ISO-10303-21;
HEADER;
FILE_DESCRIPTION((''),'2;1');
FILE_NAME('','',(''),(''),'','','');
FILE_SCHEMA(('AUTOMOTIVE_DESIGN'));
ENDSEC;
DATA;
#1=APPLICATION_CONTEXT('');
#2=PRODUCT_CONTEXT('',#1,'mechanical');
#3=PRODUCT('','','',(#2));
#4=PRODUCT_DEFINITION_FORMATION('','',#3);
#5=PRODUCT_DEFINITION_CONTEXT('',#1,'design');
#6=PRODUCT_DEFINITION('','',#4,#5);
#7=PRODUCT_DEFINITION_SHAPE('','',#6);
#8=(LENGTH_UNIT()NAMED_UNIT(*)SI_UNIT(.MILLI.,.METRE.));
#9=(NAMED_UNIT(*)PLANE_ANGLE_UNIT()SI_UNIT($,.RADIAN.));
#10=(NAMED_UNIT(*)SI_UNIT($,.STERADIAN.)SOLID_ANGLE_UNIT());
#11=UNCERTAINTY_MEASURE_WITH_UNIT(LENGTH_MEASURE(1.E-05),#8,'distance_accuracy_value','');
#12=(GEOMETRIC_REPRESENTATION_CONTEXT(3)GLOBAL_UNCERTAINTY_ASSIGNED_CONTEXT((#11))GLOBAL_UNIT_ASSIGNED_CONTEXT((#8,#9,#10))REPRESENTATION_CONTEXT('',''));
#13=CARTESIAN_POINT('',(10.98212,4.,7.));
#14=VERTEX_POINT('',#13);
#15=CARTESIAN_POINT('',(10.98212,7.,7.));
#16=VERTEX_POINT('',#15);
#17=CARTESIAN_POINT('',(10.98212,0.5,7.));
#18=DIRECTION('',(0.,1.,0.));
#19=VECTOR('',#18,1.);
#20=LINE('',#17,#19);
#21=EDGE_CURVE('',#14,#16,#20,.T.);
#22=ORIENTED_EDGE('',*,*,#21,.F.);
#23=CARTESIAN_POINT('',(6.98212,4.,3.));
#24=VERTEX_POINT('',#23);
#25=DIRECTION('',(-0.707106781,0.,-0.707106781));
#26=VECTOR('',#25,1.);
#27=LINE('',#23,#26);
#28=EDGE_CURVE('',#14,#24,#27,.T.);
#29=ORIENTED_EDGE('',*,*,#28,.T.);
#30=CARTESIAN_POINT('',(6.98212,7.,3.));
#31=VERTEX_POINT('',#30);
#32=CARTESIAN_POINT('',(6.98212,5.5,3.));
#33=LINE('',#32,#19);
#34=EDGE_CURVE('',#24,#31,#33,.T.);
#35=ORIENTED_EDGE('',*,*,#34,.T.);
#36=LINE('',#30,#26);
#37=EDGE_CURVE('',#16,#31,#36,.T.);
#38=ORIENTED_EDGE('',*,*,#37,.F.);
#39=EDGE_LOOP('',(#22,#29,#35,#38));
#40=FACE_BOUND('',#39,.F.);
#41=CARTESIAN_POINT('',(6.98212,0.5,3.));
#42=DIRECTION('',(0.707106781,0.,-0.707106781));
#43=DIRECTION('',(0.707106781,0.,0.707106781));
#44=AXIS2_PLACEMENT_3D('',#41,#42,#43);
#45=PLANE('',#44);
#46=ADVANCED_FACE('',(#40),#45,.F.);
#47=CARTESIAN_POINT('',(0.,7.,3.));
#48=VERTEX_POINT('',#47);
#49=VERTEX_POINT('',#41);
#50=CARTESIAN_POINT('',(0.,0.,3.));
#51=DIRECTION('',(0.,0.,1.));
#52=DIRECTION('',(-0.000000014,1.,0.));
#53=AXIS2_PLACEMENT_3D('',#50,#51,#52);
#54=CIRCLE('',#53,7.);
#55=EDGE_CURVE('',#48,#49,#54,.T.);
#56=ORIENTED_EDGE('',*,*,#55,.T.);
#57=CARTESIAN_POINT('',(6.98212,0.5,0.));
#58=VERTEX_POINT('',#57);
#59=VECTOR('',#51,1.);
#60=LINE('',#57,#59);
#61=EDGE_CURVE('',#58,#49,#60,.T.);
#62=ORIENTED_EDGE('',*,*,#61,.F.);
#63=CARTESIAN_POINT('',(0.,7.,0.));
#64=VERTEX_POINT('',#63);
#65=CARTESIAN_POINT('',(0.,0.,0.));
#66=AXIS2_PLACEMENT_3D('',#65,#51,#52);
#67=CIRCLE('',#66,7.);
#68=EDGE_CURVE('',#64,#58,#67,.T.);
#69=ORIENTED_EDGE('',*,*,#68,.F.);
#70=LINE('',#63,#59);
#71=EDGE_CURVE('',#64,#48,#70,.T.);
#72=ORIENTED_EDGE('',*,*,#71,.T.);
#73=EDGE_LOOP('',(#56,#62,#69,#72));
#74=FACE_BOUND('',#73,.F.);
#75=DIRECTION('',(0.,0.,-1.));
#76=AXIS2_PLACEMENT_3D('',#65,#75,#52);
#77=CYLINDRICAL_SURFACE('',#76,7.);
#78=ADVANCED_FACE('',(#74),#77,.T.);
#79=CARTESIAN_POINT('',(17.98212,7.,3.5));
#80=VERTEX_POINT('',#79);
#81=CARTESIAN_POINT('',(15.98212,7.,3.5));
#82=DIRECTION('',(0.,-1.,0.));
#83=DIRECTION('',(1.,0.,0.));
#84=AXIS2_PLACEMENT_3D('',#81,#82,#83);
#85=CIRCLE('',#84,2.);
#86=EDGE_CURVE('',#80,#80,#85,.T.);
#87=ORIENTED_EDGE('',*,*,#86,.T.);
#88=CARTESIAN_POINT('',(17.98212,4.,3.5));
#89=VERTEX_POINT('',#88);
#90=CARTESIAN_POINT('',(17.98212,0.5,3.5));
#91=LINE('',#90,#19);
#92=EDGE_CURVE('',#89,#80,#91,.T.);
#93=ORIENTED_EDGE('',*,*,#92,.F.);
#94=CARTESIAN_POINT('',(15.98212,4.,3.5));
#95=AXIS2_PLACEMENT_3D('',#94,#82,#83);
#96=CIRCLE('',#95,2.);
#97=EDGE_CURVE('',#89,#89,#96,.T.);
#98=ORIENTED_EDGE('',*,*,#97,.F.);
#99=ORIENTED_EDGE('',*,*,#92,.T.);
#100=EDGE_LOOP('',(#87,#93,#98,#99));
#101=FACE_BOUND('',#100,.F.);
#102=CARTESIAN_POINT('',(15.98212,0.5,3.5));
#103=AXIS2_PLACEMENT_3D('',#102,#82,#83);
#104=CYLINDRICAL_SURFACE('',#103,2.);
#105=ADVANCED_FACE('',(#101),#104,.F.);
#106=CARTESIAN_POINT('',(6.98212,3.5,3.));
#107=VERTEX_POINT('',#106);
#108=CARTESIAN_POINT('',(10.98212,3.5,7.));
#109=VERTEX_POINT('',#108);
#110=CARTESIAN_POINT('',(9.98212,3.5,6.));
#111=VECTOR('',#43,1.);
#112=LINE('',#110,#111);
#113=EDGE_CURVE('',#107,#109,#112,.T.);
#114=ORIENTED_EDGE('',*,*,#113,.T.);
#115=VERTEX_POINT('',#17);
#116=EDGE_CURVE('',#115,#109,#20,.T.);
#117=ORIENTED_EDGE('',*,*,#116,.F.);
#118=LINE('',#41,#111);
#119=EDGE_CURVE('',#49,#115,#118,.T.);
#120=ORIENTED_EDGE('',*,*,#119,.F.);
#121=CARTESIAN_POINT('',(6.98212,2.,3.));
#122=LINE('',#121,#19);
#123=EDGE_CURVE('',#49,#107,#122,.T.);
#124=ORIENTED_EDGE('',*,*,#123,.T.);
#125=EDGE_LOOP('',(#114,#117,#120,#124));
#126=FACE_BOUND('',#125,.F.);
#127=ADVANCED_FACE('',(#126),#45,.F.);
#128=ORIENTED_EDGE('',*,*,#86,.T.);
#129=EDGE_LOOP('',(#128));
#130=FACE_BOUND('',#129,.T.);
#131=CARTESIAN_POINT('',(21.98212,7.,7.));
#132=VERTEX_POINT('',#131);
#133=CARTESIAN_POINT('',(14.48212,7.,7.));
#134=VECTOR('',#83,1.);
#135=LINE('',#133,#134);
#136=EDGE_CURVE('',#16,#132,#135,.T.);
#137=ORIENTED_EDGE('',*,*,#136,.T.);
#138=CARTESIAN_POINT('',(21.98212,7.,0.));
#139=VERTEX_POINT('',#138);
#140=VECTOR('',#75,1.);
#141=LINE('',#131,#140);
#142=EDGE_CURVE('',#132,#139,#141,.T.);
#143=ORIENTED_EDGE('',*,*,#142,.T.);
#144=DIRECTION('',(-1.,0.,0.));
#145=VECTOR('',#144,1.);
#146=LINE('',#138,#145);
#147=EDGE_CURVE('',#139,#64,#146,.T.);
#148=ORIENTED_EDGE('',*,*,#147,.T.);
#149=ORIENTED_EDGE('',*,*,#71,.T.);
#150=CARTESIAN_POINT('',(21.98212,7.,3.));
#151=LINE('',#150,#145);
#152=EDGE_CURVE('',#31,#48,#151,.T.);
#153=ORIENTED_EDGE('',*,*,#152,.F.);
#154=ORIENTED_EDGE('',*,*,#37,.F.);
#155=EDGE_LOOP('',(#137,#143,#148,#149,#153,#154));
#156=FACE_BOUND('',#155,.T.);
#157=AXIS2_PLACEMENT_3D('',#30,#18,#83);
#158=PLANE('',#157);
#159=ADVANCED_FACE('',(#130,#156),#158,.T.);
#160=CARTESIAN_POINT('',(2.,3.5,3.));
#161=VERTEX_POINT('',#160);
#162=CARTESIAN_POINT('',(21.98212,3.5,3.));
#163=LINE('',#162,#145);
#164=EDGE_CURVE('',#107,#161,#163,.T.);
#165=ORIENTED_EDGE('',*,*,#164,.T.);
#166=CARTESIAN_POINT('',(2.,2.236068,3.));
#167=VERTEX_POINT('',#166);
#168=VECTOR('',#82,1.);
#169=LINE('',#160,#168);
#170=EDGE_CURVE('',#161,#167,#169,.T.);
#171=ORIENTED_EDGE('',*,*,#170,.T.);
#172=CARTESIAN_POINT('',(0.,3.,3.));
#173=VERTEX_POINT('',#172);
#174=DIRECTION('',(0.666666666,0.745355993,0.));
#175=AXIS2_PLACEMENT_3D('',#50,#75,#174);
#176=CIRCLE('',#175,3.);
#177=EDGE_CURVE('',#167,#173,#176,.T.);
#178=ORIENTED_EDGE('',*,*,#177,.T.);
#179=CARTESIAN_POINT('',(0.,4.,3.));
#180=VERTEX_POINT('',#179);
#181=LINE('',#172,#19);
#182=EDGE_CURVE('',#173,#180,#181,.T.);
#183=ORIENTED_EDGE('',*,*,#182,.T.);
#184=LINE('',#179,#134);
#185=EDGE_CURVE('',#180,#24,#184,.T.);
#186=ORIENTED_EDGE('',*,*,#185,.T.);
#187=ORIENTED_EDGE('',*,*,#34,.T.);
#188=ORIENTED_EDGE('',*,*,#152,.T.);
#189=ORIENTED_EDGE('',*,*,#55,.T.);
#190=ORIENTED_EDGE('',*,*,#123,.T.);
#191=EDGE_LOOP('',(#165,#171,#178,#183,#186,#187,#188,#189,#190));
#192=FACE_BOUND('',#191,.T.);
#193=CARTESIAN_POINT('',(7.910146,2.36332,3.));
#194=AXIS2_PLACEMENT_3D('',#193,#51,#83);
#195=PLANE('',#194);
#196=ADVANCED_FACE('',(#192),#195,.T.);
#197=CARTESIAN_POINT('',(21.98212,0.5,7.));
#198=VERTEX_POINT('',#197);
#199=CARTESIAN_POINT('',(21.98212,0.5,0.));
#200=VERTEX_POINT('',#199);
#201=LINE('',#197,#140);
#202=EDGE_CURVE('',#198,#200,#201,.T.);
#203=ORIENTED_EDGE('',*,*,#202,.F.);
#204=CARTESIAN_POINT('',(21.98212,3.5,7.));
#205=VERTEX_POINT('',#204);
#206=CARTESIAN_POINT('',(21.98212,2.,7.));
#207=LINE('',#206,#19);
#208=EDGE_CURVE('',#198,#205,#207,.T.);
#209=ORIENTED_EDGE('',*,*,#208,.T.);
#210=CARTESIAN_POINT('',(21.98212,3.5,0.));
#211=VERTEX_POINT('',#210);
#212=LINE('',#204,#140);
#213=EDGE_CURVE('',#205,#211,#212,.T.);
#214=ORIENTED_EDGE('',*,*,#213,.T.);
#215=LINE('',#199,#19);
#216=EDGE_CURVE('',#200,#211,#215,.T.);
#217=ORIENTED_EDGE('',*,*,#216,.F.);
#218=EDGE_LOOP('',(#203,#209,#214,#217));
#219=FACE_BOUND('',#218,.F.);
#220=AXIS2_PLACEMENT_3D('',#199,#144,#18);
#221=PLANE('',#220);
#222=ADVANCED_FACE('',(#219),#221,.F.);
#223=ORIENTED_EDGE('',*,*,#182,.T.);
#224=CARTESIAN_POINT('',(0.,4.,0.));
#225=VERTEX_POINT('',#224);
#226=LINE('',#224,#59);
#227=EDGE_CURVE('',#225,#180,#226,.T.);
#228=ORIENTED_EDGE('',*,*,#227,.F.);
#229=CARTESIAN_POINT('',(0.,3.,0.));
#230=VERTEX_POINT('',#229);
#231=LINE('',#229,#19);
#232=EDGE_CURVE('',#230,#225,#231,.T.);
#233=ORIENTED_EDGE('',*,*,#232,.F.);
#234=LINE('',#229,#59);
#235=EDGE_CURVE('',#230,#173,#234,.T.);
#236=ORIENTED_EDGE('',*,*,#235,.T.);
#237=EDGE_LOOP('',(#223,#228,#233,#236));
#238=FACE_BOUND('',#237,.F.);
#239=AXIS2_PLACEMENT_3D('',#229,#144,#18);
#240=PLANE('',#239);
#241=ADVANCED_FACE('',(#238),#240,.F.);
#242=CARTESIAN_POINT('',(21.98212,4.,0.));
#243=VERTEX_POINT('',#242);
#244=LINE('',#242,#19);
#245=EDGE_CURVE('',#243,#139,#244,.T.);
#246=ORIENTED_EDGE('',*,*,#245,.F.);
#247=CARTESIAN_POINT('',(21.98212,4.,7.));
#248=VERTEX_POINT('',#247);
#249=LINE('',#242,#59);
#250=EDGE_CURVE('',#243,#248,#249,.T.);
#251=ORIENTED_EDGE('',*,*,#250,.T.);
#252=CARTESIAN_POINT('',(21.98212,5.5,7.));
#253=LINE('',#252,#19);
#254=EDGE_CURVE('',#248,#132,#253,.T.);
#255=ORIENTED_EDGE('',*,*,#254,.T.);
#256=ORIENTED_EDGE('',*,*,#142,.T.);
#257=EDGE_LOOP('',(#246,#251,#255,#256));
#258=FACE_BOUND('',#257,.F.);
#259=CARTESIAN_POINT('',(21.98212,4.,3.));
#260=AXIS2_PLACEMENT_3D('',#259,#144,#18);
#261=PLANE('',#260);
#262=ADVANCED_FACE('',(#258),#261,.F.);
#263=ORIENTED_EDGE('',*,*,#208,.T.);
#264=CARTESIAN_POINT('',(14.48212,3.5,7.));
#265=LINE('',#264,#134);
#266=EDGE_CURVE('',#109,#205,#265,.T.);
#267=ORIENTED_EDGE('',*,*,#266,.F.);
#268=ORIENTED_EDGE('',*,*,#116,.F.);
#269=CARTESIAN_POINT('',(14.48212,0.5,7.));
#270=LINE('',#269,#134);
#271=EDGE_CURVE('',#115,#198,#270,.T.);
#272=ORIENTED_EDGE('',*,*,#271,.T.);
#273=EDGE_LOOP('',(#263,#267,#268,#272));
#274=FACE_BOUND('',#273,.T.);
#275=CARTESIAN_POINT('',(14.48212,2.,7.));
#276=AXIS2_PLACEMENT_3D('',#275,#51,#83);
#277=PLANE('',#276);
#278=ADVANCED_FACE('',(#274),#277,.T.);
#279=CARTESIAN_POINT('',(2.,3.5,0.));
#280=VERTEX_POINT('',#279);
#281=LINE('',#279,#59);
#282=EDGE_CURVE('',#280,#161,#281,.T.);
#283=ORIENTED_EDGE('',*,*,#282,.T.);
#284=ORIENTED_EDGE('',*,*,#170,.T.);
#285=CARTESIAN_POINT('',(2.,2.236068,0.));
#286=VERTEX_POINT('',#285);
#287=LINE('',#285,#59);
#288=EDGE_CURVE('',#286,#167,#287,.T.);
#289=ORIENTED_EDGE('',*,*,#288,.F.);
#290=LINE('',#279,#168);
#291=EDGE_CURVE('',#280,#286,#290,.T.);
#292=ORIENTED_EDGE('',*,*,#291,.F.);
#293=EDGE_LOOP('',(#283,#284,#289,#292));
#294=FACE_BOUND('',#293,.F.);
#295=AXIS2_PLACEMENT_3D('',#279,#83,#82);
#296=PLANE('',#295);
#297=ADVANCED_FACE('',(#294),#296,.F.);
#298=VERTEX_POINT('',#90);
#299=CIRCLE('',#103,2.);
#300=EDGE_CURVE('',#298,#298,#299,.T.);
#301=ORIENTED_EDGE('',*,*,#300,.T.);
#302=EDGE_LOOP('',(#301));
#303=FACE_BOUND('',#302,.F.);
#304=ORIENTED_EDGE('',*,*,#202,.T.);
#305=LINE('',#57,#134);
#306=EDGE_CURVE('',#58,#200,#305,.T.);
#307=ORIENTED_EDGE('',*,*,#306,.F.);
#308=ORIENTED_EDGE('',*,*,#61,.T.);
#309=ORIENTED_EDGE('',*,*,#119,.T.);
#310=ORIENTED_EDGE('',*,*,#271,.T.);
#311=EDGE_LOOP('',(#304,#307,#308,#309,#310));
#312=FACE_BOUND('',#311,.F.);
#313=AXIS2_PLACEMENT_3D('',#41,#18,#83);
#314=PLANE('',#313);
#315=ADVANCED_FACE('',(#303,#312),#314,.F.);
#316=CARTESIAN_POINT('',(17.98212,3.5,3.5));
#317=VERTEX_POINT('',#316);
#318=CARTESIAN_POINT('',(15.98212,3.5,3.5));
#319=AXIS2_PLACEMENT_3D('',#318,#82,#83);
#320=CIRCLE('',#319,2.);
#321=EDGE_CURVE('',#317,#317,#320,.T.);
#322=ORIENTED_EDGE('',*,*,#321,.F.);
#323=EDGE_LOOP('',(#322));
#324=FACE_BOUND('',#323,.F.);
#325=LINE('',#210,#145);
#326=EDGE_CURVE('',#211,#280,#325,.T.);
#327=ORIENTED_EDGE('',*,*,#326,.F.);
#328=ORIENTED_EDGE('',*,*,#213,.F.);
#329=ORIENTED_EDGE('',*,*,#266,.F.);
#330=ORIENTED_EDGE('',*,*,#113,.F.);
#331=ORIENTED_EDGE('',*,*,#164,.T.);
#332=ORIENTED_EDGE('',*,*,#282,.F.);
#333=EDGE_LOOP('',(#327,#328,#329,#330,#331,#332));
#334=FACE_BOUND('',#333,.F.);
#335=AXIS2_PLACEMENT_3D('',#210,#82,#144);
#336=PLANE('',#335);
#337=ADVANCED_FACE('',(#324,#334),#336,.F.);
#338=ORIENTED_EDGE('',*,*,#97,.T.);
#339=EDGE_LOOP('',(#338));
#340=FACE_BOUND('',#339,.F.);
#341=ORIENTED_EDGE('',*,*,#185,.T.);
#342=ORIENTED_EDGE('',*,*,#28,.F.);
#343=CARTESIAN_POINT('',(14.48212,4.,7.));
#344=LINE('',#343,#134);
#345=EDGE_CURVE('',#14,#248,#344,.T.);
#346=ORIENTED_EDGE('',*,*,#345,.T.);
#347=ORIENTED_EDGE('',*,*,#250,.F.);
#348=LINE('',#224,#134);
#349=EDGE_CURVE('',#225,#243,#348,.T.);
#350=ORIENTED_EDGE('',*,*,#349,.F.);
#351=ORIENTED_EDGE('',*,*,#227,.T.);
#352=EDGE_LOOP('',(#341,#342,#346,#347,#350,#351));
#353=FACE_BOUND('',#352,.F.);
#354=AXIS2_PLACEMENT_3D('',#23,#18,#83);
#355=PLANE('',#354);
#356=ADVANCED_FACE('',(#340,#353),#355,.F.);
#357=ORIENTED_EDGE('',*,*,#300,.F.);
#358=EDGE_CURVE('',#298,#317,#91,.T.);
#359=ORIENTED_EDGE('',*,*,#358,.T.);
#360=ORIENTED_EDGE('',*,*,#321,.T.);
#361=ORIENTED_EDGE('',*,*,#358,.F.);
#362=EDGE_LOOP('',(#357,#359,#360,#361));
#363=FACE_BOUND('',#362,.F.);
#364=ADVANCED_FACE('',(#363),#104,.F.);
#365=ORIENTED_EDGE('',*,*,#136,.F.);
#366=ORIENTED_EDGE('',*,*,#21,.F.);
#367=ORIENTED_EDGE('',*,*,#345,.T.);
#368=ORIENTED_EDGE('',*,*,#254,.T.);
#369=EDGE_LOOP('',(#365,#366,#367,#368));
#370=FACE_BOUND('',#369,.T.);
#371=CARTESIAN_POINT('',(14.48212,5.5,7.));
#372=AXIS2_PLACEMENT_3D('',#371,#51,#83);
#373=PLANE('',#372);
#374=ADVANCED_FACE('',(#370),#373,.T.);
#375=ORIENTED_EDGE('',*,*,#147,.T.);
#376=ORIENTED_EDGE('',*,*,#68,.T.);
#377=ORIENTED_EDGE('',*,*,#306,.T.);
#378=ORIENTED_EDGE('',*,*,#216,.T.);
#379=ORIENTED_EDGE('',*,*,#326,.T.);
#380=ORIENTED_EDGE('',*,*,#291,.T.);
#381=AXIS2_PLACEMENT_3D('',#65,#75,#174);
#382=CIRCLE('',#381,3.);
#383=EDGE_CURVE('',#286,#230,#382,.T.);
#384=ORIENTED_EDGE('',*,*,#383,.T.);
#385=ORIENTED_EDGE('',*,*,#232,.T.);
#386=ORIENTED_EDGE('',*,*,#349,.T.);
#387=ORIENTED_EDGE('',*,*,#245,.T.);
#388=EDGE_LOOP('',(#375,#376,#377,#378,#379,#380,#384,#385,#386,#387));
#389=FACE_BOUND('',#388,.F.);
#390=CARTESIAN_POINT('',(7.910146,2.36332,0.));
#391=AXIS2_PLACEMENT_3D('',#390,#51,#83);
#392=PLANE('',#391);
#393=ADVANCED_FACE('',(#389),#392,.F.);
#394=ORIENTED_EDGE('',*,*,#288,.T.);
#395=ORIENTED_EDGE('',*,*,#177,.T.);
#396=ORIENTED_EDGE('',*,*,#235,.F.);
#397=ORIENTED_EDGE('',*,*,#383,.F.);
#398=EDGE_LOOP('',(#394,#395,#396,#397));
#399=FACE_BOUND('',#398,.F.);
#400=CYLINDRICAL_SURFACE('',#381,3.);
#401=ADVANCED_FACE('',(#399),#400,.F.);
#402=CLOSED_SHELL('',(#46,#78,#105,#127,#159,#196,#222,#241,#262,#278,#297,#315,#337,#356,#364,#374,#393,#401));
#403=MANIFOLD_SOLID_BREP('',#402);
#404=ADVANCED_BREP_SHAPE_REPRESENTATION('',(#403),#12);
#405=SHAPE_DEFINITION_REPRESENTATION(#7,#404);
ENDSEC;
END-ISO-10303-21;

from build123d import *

# Parameters (mm, degrees)
F1_DEPTH = 3
F2_W     = 15
F2_H     = 3
F3_DEPTH = 4
F5_DEPTH = 6.501
F6_R     = 2
F7_DEPTH = 6.501


with BuildPart() as f1:
    # F0 (on Top) → F1 (new body)
    with BuildSketch(Plane.XY):
        with BuildLine():
            ThreePointArc((2, 2.236068), (-1.070466, -2.802517), (0, 3))
            Line((0, 3), (0, 4))
            Line((0, 4), (21.98212, 4))
            Line((21.98212, 4), (21.98212, 7))
            Line((21.98212, 7), (0, 7))
            ThreePointArc((0, 7), (-4.769696, -5.123475), (6.98212, 0.5))
            Line((6.98212, 0.5), (21.98212, 0.5))
            Line((21.98212, 0.5), (21.98212, 3.5))
            Line((21.98212, 3.5), (2, 3.5))
            Line((2, 3.5), (2, 2.236068))
        make_face()
    extrude(amount=F1_DEPTH)

    # F2 (on face) → F3 (join)
    with BuildSketch(Plane.XY.offset(3)):
        with Locations((14.48212, 5.5)):
            Rectangle(F2_W, F2_H)
        with Locations((14.48212, 2)):
            Rectangle(F2_W, F2_H)
    extrude(amount=F3_DEPTH)

    # F4 (on face) → F5 (cut, through all)
    with BuildSketch(Plane.XZ.offset(-0.5)):
        Polygon((6.98212, 7), (6.98212, 3), (10.98212, 7), align=None)
    extrude(amount=-F5_DEPTH, mode=Mode.SUBTRACT)

    # F6 (on face) → F7 (cut, through all)
    with BuildSketch(Plane.XZ.offset(-0.5)):
        with Locations((15.98212, 3.5)):
            Circle(F6_R)
    extrude(amount=-F7_DEPTH, mode=Mode.SUBTRACT)


solid = f1.part
